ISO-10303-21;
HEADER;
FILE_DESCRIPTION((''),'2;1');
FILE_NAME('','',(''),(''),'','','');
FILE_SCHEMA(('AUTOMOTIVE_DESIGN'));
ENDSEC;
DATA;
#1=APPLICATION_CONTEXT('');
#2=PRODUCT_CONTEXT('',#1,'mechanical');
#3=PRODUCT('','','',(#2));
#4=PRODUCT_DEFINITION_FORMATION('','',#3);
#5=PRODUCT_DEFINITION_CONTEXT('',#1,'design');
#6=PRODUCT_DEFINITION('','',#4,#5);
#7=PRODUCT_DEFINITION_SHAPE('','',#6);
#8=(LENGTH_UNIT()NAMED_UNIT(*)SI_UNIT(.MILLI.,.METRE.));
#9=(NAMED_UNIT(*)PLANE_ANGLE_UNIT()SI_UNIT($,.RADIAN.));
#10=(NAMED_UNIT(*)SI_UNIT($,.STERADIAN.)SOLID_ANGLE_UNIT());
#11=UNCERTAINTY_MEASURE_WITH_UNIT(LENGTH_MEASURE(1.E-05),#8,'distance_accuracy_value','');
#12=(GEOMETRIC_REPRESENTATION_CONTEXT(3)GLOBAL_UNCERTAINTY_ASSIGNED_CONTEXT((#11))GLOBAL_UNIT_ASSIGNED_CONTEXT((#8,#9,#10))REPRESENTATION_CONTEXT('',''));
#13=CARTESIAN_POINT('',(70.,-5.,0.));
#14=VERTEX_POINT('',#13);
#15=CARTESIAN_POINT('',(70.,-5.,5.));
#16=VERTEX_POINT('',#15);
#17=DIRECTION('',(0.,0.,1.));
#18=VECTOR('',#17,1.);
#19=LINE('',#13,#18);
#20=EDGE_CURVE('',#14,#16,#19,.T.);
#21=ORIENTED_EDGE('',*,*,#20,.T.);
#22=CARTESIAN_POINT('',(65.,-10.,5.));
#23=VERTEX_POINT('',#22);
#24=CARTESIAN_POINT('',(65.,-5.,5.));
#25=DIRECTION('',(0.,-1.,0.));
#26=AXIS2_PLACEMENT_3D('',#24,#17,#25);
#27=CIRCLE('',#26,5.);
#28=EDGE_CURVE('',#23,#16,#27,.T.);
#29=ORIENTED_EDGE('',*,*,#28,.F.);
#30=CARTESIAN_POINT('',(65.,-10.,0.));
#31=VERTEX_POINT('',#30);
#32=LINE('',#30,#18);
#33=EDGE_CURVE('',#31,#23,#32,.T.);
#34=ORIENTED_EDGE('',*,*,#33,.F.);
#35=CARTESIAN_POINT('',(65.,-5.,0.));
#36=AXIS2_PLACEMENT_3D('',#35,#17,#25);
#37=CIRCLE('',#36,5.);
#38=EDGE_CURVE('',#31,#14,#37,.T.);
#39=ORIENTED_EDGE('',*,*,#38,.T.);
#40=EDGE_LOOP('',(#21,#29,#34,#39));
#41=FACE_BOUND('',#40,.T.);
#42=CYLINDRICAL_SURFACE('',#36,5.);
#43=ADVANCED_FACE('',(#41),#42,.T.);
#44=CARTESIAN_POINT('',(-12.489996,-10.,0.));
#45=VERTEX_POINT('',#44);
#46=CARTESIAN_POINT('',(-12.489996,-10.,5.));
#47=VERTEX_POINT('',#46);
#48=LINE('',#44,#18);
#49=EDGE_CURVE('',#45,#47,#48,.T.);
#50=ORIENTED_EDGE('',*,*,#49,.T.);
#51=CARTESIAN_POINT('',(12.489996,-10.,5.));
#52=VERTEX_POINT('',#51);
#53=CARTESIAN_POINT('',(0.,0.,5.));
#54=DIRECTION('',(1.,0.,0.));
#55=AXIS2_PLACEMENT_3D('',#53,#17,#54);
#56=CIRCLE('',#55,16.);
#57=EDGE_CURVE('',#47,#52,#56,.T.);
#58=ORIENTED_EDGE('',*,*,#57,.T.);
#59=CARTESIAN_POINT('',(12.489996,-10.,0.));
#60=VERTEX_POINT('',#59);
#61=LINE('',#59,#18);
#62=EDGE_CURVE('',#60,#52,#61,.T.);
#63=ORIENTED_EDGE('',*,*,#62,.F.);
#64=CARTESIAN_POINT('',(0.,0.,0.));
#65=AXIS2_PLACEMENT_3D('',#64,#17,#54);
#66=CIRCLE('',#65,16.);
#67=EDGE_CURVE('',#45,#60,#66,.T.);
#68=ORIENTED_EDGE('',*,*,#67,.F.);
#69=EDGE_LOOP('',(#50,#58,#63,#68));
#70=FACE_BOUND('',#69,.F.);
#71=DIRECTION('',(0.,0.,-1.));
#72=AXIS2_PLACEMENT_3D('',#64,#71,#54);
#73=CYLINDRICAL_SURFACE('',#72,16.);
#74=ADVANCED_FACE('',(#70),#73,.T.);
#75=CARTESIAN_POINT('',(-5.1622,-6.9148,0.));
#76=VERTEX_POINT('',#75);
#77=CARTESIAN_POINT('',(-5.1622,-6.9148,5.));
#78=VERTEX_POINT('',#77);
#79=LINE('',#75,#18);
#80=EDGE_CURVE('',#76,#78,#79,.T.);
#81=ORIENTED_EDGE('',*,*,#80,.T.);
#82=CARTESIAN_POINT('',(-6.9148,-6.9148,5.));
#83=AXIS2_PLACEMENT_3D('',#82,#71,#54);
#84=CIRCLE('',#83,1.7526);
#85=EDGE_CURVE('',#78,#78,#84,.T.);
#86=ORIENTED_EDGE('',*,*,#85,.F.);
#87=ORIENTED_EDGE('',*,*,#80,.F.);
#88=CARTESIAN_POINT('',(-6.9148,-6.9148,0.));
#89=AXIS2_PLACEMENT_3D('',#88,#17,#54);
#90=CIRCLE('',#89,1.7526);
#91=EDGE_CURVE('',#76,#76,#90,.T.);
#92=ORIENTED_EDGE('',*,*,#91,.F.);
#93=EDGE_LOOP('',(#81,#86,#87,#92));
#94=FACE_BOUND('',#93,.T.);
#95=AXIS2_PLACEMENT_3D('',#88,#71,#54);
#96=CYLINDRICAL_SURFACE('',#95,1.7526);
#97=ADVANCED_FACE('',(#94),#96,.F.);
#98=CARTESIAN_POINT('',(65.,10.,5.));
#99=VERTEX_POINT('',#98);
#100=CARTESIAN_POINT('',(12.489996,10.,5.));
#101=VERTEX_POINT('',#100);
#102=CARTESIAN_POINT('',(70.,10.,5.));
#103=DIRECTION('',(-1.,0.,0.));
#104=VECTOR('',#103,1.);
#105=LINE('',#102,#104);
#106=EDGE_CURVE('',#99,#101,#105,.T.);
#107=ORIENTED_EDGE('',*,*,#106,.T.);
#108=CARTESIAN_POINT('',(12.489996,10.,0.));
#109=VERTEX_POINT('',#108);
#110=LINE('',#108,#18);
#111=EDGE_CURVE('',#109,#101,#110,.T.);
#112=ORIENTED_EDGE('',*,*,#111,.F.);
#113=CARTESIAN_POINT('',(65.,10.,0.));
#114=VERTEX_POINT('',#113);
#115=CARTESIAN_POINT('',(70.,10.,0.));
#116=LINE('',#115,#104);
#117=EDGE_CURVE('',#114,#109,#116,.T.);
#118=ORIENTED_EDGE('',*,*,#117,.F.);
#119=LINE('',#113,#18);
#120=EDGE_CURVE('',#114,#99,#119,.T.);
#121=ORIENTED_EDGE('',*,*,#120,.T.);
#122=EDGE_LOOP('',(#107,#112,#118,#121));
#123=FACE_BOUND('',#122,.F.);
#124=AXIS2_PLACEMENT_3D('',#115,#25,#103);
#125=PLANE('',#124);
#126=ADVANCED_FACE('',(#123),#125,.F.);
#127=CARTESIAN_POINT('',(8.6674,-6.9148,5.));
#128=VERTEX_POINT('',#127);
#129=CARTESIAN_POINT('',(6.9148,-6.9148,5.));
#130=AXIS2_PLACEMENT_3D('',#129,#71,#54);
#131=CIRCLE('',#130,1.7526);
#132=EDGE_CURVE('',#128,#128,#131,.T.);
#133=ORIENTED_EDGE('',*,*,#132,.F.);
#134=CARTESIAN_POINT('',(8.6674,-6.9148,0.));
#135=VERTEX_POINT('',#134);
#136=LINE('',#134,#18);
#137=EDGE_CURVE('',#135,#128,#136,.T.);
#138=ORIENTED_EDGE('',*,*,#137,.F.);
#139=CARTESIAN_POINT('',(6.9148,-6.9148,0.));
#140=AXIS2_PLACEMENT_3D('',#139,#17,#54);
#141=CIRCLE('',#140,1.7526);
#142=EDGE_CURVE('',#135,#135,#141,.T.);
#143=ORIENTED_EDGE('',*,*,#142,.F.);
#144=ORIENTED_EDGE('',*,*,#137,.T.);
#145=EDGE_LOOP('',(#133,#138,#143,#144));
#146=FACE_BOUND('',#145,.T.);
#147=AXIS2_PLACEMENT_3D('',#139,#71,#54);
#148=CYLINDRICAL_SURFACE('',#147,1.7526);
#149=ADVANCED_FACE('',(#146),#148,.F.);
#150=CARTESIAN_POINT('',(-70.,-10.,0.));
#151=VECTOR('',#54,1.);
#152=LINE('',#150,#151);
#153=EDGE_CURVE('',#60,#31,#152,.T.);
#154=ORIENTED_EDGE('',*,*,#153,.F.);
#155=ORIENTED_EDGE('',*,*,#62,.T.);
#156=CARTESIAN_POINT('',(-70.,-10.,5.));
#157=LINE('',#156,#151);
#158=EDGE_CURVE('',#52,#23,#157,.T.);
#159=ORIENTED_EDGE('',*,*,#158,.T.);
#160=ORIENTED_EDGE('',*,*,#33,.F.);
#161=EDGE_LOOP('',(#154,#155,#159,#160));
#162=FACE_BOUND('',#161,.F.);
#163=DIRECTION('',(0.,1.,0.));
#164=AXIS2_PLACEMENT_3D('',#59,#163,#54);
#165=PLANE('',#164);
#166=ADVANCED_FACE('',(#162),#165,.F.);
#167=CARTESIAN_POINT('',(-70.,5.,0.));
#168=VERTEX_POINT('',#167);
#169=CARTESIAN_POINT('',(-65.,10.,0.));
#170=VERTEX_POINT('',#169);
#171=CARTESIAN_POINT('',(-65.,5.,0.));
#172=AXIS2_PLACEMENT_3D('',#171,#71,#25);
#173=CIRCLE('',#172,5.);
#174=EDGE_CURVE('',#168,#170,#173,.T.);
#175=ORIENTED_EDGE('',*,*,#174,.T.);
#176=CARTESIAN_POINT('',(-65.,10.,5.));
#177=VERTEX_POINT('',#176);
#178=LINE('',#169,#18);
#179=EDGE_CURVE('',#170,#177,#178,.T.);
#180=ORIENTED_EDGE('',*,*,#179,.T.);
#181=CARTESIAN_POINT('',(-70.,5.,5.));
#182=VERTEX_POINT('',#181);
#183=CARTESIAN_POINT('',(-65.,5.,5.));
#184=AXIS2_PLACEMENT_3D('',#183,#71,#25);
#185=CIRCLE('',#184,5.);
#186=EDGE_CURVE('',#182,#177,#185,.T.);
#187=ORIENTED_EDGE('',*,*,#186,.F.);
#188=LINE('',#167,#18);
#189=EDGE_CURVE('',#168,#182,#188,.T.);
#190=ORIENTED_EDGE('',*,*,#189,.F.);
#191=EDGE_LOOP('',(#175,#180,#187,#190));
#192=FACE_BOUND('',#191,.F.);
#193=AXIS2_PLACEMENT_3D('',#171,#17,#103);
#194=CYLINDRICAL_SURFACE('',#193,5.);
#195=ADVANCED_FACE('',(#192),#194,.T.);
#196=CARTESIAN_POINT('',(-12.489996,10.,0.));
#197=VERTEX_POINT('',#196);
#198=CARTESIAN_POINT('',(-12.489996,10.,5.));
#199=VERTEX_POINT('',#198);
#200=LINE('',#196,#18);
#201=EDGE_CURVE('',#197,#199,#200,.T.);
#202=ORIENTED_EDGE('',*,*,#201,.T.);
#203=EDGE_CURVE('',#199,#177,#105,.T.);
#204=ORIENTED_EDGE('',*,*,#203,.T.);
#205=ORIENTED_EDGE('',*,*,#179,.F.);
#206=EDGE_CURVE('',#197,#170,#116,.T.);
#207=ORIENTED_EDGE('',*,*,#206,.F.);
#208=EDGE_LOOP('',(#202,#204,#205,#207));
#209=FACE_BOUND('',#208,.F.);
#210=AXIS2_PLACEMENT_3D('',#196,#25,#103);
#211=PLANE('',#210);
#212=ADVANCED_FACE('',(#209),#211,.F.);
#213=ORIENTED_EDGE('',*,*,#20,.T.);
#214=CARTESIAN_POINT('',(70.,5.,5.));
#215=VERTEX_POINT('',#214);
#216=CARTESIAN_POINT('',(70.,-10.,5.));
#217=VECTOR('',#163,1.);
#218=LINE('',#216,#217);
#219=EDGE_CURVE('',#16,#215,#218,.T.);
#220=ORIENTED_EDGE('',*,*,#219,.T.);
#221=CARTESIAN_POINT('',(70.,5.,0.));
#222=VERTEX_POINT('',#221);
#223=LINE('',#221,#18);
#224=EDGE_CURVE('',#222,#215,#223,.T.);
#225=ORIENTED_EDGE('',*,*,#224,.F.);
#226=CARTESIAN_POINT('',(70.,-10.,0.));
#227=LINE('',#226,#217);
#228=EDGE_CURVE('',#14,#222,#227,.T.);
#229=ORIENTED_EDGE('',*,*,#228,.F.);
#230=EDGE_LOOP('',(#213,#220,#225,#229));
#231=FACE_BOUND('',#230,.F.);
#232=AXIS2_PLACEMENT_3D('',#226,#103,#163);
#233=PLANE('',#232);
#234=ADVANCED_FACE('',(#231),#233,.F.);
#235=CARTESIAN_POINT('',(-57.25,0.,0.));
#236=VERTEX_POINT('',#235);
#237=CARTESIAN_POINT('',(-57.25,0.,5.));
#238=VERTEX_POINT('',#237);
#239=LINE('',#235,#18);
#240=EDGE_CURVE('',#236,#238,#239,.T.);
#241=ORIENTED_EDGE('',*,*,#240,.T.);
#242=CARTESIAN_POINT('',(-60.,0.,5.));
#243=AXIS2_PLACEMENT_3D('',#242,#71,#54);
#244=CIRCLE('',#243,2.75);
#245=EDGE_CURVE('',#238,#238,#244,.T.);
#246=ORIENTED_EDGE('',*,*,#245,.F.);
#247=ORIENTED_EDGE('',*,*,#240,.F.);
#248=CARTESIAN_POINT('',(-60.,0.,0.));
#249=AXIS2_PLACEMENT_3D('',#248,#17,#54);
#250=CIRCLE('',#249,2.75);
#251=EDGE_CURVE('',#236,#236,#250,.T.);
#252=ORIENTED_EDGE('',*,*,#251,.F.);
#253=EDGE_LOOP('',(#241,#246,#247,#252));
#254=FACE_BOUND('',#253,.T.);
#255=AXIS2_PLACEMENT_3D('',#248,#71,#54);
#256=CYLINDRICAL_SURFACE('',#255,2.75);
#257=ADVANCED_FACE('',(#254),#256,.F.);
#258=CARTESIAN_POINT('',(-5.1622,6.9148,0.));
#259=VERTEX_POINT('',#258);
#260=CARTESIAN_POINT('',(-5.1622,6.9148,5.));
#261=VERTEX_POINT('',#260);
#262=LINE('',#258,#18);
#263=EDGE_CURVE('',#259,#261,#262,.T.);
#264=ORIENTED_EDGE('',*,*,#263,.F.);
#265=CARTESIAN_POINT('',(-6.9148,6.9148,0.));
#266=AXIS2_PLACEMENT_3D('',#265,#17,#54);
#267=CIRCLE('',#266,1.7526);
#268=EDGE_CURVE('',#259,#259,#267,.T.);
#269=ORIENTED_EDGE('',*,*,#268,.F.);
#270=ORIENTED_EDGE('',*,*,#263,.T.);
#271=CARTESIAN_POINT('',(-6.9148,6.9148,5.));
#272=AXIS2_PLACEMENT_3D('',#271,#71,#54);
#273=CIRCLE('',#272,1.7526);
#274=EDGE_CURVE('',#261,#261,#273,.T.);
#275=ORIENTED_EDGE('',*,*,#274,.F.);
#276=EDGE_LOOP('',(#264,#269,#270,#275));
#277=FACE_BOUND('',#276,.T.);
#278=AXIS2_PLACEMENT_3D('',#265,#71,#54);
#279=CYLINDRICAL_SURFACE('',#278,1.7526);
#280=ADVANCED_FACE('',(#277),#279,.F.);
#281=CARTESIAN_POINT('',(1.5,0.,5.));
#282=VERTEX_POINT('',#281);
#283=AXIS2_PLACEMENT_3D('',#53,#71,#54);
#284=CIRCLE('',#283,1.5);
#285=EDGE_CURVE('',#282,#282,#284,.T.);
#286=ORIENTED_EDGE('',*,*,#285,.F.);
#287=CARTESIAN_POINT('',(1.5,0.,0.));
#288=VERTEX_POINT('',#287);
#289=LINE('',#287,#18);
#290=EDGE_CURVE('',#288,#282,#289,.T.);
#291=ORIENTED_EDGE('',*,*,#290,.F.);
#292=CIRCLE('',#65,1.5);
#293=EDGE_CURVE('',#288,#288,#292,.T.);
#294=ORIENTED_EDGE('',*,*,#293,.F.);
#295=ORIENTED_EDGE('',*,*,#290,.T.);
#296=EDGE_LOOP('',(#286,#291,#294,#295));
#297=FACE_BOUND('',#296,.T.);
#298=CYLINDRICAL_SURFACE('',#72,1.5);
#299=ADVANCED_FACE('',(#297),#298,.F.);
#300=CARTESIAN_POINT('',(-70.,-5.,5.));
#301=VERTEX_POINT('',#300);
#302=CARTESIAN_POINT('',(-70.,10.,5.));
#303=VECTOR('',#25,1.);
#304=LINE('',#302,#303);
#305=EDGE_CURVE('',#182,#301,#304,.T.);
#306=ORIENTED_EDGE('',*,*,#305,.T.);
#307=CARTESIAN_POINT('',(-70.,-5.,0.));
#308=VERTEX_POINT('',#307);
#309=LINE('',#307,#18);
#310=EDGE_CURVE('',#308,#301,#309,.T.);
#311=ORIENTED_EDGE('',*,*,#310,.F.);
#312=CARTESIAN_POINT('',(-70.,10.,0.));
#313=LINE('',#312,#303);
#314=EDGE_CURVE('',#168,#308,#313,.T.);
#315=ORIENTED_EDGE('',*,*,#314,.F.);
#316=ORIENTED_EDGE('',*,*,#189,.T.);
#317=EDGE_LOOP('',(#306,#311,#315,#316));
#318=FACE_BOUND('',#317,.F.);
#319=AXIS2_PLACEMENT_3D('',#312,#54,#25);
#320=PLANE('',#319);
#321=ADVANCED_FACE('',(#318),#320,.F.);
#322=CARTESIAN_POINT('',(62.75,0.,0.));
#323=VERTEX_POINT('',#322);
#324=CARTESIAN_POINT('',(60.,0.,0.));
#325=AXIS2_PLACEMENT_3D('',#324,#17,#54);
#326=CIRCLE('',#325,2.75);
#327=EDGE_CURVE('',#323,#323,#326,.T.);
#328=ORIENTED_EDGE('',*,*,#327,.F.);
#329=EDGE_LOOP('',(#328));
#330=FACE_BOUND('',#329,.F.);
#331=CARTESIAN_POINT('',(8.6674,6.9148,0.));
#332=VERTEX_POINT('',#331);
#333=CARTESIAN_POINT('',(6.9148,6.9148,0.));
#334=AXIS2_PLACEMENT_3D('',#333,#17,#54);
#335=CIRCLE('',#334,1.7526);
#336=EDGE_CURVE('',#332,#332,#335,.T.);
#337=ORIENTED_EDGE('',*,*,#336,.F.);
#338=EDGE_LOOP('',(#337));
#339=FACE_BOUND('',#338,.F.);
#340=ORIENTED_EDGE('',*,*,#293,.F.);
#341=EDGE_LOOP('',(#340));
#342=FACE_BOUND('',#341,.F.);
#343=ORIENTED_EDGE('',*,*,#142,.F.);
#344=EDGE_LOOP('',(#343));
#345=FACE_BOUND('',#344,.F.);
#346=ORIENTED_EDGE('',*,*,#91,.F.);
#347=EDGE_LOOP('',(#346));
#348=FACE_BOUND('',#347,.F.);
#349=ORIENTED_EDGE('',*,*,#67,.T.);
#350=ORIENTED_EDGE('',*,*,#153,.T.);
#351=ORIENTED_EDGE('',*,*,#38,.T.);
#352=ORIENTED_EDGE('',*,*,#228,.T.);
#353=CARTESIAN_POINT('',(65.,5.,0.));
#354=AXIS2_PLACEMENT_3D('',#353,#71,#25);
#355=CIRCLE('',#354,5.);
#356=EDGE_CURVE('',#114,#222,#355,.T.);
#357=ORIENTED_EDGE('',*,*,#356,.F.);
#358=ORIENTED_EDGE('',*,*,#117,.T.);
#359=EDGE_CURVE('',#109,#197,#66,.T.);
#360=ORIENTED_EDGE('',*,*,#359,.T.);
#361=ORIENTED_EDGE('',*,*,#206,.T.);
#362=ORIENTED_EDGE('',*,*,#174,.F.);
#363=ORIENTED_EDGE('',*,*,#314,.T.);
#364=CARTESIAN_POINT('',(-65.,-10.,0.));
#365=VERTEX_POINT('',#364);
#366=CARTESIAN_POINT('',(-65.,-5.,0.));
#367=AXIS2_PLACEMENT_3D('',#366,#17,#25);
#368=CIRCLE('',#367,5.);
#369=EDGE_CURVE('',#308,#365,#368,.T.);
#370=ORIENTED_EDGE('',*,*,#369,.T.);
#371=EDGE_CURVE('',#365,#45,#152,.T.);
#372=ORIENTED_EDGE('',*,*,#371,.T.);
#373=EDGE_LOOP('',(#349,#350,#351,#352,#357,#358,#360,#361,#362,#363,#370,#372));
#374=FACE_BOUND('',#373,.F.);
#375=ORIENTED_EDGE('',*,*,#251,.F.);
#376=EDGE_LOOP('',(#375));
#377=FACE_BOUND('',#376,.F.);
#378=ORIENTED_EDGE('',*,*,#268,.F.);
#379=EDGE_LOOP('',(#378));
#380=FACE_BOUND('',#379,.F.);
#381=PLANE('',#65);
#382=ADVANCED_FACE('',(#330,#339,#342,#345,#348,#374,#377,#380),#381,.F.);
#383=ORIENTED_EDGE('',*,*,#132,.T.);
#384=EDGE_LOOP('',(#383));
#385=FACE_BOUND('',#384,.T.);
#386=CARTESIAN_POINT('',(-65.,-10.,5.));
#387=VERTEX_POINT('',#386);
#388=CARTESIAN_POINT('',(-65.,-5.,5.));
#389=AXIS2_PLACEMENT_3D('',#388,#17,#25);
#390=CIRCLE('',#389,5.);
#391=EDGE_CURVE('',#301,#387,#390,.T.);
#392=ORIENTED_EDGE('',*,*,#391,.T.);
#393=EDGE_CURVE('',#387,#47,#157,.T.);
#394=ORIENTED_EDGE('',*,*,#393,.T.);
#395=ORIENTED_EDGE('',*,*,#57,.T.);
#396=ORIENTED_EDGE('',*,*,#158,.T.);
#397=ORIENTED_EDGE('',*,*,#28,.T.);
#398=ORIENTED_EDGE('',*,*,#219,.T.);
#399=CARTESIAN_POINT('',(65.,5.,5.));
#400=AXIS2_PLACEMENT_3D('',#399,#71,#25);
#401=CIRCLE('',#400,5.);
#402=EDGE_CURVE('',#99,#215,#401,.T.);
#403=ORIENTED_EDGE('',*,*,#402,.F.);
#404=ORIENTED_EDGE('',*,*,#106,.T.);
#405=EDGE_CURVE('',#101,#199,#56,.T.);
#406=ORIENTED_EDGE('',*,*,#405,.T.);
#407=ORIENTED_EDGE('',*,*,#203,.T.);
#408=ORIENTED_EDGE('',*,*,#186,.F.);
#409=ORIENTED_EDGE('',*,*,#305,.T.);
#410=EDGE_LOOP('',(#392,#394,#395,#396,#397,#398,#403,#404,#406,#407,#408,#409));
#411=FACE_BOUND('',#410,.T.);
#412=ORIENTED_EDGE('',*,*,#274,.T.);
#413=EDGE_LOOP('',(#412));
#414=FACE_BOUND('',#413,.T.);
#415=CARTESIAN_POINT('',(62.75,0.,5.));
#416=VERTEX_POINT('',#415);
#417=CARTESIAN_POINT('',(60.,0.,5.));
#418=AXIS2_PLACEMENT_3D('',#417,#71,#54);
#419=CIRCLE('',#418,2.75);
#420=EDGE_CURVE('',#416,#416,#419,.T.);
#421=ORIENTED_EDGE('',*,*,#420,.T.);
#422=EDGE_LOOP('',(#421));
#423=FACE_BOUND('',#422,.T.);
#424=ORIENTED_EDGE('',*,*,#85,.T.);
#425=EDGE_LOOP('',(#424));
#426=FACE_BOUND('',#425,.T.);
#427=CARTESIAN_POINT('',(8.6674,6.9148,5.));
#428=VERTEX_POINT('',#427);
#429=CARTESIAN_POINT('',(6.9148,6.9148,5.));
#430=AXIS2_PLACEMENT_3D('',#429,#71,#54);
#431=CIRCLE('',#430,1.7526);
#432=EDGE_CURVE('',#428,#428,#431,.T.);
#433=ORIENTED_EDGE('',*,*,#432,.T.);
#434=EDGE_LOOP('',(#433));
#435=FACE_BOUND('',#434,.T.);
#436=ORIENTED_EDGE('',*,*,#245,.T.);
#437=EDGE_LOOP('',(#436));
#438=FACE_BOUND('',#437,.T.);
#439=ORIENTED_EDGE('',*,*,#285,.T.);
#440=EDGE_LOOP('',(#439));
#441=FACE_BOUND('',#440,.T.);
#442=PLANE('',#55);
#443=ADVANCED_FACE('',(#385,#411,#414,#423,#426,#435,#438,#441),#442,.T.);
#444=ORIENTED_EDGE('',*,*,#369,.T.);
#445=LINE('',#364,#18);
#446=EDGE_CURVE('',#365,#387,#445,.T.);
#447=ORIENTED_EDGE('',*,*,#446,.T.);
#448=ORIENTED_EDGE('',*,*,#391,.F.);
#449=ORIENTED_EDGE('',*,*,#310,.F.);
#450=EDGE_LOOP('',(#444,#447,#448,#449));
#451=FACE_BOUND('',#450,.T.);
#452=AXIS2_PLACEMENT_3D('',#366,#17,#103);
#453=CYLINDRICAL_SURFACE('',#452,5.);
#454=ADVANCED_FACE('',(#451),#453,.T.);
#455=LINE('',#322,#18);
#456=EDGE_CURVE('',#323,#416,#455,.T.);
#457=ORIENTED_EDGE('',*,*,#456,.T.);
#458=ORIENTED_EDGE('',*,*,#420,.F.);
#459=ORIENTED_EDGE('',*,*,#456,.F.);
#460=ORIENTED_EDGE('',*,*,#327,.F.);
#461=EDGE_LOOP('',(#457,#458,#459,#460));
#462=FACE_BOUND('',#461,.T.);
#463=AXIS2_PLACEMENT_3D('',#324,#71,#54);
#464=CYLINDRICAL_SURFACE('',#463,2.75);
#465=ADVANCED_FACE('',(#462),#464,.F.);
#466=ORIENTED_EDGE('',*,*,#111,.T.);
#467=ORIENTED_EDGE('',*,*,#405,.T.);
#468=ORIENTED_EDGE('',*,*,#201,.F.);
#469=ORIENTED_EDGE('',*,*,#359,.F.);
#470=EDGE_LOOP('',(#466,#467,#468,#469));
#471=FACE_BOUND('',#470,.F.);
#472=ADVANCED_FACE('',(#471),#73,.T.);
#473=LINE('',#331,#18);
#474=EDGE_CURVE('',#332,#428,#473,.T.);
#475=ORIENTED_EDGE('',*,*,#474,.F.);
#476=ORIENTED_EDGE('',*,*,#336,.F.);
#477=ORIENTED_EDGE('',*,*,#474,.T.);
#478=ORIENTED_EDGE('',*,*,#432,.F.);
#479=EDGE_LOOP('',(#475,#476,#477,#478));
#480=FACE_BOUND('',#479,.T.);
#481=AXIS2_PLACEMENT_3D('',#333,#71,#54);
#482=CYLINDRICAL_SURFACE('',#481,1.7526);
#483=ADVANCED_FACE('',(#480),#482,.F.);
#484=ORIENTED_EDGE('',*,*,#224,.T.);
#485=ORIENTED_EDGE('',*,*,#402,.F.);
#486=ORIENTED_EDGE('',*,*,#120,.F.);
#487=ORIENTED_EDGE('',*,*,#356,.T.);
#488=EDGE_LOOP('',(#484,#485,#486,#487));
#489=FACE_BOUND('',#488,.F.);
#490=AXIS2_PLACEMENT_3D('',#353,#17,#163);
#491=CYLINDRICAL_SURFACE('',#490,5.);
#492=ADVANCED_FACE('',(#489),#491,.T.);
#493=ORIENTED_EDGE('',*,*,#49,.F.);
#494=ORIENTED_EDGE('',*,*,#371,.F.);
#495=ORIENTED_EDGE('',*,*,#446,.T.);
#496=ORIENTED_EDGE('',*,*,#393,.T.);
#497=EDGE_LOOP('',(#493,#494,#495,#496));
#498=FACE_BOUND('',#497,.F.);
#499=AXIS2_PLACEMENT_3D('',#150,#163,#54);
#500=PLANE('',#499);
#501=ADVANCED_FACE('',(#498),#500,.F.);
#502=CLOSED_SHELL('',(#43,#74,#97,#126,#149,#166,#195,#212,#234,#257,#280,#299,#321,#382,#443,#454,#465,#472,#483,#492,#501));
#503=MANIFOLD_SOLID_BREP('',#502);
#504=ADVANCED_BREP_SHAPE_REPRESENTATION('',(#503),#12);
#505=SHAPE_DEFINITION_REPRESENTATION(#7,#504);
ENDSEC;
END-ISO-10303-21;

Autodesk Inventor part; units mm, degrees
ref_plane "YZ Plane" through (0, 0, 0) normal (1, 0, 0) x (0, 1, 0)
ref_plane "XZ Plane" through (0, 0, 0) normal (0, 1, 0) x (-1, 0, 0)
ref_plane "XY Plane" through (0, 0, 0) normal (0, 0, 1) x (1, 0, 0)
sketch "Sketch1" plane through (0, 0, 0) normal (0, 0, 1) x (1, 0, 0)
  line L0 (-70, -10) -> (70, -10)
  line L1 (70, -10) -> (70, 10)
  line L2 (70, 10) -> (-70, 10)
  line L3 (-70, 10) -> (-70, -10)
  line L4 (-70, -10) -> (70, 10) construction
  line L5 (70, -10) -> (-70, 10) construction
  circle A0 centre (0, 0) radius 16
  line L6 (-73.4722, 0) -> (96.5278, 0) construction
  circle A1 centre (-60, 0) radius 2.75
  line L7 (0, 0) -> (0, 31) construction
  circle A2 centre (60, 0) radius 2.75
  circle A3 centre (0, 0) radius 1.5
  circle A4 centre (-6.9148, 6.9148) radius 1.7526
  line L8 (0, 0) -> (-14.5685, 14.5685) construction
  circle A5 centre (-6.9148, -6.9148) radius 1.7526
  circle A6 centre (6.9148, -6.9148) radius 1.7526
  circle A7 centre (6.9148, 6.9148) radius 1.7526
  point P0 (0, 0)
  dimension "d0" = 140
  dimension "d1" = 20
  dimension "d4" = 32
  dimension "d5" = 5.5
  dimension "d6" = 10
  dimension "d10" = 3
  dimension "d11" = 3.5052
  dimension "d12" = 45
  dimension "d13" = 6.9148
  dimension "d16" = 360
extrude "Extrusion1" add sketch "Sketch1" along normal blind 5 contours L3 L2 A0 L0 | A0 L2 L0 | L0 A0 | A0 L2 L1 L0 | A0 L2 | A1 | A2 | A3 | A4 | A5 | A6 | A7
extrude "Extrusion2" cut sketch "Sketch1" along normal through all contours A1 | A2 | A3 | A4 | A5 | A6 | A7
fillet "Fillet1" radius 5 4 edges at (70, -10, 2.5) (70, 10, 2.5) (-70, -10, 2.5) (-70, 10, 2.5)
equation "\"BendRadius\" = Thickness"
equation "\"BendReliefWidth\" = Thickness"
equation "\"BendReliefDepth\" = 0.5 * Thickness"
equation "\"CornerReliefSize\" = 4 * Thickness"
equation "\"MinimumRemnant\" = 2 * Thickness"
equation "\"TransitionRadius\" = BendRadius"
equation "\"JacobiRadiusSize\" = Thickness"
equation "\"GapSize\" = Thickness"
equation "\"Thickness\" = 0.5"
properties part number "rudder_horn"
